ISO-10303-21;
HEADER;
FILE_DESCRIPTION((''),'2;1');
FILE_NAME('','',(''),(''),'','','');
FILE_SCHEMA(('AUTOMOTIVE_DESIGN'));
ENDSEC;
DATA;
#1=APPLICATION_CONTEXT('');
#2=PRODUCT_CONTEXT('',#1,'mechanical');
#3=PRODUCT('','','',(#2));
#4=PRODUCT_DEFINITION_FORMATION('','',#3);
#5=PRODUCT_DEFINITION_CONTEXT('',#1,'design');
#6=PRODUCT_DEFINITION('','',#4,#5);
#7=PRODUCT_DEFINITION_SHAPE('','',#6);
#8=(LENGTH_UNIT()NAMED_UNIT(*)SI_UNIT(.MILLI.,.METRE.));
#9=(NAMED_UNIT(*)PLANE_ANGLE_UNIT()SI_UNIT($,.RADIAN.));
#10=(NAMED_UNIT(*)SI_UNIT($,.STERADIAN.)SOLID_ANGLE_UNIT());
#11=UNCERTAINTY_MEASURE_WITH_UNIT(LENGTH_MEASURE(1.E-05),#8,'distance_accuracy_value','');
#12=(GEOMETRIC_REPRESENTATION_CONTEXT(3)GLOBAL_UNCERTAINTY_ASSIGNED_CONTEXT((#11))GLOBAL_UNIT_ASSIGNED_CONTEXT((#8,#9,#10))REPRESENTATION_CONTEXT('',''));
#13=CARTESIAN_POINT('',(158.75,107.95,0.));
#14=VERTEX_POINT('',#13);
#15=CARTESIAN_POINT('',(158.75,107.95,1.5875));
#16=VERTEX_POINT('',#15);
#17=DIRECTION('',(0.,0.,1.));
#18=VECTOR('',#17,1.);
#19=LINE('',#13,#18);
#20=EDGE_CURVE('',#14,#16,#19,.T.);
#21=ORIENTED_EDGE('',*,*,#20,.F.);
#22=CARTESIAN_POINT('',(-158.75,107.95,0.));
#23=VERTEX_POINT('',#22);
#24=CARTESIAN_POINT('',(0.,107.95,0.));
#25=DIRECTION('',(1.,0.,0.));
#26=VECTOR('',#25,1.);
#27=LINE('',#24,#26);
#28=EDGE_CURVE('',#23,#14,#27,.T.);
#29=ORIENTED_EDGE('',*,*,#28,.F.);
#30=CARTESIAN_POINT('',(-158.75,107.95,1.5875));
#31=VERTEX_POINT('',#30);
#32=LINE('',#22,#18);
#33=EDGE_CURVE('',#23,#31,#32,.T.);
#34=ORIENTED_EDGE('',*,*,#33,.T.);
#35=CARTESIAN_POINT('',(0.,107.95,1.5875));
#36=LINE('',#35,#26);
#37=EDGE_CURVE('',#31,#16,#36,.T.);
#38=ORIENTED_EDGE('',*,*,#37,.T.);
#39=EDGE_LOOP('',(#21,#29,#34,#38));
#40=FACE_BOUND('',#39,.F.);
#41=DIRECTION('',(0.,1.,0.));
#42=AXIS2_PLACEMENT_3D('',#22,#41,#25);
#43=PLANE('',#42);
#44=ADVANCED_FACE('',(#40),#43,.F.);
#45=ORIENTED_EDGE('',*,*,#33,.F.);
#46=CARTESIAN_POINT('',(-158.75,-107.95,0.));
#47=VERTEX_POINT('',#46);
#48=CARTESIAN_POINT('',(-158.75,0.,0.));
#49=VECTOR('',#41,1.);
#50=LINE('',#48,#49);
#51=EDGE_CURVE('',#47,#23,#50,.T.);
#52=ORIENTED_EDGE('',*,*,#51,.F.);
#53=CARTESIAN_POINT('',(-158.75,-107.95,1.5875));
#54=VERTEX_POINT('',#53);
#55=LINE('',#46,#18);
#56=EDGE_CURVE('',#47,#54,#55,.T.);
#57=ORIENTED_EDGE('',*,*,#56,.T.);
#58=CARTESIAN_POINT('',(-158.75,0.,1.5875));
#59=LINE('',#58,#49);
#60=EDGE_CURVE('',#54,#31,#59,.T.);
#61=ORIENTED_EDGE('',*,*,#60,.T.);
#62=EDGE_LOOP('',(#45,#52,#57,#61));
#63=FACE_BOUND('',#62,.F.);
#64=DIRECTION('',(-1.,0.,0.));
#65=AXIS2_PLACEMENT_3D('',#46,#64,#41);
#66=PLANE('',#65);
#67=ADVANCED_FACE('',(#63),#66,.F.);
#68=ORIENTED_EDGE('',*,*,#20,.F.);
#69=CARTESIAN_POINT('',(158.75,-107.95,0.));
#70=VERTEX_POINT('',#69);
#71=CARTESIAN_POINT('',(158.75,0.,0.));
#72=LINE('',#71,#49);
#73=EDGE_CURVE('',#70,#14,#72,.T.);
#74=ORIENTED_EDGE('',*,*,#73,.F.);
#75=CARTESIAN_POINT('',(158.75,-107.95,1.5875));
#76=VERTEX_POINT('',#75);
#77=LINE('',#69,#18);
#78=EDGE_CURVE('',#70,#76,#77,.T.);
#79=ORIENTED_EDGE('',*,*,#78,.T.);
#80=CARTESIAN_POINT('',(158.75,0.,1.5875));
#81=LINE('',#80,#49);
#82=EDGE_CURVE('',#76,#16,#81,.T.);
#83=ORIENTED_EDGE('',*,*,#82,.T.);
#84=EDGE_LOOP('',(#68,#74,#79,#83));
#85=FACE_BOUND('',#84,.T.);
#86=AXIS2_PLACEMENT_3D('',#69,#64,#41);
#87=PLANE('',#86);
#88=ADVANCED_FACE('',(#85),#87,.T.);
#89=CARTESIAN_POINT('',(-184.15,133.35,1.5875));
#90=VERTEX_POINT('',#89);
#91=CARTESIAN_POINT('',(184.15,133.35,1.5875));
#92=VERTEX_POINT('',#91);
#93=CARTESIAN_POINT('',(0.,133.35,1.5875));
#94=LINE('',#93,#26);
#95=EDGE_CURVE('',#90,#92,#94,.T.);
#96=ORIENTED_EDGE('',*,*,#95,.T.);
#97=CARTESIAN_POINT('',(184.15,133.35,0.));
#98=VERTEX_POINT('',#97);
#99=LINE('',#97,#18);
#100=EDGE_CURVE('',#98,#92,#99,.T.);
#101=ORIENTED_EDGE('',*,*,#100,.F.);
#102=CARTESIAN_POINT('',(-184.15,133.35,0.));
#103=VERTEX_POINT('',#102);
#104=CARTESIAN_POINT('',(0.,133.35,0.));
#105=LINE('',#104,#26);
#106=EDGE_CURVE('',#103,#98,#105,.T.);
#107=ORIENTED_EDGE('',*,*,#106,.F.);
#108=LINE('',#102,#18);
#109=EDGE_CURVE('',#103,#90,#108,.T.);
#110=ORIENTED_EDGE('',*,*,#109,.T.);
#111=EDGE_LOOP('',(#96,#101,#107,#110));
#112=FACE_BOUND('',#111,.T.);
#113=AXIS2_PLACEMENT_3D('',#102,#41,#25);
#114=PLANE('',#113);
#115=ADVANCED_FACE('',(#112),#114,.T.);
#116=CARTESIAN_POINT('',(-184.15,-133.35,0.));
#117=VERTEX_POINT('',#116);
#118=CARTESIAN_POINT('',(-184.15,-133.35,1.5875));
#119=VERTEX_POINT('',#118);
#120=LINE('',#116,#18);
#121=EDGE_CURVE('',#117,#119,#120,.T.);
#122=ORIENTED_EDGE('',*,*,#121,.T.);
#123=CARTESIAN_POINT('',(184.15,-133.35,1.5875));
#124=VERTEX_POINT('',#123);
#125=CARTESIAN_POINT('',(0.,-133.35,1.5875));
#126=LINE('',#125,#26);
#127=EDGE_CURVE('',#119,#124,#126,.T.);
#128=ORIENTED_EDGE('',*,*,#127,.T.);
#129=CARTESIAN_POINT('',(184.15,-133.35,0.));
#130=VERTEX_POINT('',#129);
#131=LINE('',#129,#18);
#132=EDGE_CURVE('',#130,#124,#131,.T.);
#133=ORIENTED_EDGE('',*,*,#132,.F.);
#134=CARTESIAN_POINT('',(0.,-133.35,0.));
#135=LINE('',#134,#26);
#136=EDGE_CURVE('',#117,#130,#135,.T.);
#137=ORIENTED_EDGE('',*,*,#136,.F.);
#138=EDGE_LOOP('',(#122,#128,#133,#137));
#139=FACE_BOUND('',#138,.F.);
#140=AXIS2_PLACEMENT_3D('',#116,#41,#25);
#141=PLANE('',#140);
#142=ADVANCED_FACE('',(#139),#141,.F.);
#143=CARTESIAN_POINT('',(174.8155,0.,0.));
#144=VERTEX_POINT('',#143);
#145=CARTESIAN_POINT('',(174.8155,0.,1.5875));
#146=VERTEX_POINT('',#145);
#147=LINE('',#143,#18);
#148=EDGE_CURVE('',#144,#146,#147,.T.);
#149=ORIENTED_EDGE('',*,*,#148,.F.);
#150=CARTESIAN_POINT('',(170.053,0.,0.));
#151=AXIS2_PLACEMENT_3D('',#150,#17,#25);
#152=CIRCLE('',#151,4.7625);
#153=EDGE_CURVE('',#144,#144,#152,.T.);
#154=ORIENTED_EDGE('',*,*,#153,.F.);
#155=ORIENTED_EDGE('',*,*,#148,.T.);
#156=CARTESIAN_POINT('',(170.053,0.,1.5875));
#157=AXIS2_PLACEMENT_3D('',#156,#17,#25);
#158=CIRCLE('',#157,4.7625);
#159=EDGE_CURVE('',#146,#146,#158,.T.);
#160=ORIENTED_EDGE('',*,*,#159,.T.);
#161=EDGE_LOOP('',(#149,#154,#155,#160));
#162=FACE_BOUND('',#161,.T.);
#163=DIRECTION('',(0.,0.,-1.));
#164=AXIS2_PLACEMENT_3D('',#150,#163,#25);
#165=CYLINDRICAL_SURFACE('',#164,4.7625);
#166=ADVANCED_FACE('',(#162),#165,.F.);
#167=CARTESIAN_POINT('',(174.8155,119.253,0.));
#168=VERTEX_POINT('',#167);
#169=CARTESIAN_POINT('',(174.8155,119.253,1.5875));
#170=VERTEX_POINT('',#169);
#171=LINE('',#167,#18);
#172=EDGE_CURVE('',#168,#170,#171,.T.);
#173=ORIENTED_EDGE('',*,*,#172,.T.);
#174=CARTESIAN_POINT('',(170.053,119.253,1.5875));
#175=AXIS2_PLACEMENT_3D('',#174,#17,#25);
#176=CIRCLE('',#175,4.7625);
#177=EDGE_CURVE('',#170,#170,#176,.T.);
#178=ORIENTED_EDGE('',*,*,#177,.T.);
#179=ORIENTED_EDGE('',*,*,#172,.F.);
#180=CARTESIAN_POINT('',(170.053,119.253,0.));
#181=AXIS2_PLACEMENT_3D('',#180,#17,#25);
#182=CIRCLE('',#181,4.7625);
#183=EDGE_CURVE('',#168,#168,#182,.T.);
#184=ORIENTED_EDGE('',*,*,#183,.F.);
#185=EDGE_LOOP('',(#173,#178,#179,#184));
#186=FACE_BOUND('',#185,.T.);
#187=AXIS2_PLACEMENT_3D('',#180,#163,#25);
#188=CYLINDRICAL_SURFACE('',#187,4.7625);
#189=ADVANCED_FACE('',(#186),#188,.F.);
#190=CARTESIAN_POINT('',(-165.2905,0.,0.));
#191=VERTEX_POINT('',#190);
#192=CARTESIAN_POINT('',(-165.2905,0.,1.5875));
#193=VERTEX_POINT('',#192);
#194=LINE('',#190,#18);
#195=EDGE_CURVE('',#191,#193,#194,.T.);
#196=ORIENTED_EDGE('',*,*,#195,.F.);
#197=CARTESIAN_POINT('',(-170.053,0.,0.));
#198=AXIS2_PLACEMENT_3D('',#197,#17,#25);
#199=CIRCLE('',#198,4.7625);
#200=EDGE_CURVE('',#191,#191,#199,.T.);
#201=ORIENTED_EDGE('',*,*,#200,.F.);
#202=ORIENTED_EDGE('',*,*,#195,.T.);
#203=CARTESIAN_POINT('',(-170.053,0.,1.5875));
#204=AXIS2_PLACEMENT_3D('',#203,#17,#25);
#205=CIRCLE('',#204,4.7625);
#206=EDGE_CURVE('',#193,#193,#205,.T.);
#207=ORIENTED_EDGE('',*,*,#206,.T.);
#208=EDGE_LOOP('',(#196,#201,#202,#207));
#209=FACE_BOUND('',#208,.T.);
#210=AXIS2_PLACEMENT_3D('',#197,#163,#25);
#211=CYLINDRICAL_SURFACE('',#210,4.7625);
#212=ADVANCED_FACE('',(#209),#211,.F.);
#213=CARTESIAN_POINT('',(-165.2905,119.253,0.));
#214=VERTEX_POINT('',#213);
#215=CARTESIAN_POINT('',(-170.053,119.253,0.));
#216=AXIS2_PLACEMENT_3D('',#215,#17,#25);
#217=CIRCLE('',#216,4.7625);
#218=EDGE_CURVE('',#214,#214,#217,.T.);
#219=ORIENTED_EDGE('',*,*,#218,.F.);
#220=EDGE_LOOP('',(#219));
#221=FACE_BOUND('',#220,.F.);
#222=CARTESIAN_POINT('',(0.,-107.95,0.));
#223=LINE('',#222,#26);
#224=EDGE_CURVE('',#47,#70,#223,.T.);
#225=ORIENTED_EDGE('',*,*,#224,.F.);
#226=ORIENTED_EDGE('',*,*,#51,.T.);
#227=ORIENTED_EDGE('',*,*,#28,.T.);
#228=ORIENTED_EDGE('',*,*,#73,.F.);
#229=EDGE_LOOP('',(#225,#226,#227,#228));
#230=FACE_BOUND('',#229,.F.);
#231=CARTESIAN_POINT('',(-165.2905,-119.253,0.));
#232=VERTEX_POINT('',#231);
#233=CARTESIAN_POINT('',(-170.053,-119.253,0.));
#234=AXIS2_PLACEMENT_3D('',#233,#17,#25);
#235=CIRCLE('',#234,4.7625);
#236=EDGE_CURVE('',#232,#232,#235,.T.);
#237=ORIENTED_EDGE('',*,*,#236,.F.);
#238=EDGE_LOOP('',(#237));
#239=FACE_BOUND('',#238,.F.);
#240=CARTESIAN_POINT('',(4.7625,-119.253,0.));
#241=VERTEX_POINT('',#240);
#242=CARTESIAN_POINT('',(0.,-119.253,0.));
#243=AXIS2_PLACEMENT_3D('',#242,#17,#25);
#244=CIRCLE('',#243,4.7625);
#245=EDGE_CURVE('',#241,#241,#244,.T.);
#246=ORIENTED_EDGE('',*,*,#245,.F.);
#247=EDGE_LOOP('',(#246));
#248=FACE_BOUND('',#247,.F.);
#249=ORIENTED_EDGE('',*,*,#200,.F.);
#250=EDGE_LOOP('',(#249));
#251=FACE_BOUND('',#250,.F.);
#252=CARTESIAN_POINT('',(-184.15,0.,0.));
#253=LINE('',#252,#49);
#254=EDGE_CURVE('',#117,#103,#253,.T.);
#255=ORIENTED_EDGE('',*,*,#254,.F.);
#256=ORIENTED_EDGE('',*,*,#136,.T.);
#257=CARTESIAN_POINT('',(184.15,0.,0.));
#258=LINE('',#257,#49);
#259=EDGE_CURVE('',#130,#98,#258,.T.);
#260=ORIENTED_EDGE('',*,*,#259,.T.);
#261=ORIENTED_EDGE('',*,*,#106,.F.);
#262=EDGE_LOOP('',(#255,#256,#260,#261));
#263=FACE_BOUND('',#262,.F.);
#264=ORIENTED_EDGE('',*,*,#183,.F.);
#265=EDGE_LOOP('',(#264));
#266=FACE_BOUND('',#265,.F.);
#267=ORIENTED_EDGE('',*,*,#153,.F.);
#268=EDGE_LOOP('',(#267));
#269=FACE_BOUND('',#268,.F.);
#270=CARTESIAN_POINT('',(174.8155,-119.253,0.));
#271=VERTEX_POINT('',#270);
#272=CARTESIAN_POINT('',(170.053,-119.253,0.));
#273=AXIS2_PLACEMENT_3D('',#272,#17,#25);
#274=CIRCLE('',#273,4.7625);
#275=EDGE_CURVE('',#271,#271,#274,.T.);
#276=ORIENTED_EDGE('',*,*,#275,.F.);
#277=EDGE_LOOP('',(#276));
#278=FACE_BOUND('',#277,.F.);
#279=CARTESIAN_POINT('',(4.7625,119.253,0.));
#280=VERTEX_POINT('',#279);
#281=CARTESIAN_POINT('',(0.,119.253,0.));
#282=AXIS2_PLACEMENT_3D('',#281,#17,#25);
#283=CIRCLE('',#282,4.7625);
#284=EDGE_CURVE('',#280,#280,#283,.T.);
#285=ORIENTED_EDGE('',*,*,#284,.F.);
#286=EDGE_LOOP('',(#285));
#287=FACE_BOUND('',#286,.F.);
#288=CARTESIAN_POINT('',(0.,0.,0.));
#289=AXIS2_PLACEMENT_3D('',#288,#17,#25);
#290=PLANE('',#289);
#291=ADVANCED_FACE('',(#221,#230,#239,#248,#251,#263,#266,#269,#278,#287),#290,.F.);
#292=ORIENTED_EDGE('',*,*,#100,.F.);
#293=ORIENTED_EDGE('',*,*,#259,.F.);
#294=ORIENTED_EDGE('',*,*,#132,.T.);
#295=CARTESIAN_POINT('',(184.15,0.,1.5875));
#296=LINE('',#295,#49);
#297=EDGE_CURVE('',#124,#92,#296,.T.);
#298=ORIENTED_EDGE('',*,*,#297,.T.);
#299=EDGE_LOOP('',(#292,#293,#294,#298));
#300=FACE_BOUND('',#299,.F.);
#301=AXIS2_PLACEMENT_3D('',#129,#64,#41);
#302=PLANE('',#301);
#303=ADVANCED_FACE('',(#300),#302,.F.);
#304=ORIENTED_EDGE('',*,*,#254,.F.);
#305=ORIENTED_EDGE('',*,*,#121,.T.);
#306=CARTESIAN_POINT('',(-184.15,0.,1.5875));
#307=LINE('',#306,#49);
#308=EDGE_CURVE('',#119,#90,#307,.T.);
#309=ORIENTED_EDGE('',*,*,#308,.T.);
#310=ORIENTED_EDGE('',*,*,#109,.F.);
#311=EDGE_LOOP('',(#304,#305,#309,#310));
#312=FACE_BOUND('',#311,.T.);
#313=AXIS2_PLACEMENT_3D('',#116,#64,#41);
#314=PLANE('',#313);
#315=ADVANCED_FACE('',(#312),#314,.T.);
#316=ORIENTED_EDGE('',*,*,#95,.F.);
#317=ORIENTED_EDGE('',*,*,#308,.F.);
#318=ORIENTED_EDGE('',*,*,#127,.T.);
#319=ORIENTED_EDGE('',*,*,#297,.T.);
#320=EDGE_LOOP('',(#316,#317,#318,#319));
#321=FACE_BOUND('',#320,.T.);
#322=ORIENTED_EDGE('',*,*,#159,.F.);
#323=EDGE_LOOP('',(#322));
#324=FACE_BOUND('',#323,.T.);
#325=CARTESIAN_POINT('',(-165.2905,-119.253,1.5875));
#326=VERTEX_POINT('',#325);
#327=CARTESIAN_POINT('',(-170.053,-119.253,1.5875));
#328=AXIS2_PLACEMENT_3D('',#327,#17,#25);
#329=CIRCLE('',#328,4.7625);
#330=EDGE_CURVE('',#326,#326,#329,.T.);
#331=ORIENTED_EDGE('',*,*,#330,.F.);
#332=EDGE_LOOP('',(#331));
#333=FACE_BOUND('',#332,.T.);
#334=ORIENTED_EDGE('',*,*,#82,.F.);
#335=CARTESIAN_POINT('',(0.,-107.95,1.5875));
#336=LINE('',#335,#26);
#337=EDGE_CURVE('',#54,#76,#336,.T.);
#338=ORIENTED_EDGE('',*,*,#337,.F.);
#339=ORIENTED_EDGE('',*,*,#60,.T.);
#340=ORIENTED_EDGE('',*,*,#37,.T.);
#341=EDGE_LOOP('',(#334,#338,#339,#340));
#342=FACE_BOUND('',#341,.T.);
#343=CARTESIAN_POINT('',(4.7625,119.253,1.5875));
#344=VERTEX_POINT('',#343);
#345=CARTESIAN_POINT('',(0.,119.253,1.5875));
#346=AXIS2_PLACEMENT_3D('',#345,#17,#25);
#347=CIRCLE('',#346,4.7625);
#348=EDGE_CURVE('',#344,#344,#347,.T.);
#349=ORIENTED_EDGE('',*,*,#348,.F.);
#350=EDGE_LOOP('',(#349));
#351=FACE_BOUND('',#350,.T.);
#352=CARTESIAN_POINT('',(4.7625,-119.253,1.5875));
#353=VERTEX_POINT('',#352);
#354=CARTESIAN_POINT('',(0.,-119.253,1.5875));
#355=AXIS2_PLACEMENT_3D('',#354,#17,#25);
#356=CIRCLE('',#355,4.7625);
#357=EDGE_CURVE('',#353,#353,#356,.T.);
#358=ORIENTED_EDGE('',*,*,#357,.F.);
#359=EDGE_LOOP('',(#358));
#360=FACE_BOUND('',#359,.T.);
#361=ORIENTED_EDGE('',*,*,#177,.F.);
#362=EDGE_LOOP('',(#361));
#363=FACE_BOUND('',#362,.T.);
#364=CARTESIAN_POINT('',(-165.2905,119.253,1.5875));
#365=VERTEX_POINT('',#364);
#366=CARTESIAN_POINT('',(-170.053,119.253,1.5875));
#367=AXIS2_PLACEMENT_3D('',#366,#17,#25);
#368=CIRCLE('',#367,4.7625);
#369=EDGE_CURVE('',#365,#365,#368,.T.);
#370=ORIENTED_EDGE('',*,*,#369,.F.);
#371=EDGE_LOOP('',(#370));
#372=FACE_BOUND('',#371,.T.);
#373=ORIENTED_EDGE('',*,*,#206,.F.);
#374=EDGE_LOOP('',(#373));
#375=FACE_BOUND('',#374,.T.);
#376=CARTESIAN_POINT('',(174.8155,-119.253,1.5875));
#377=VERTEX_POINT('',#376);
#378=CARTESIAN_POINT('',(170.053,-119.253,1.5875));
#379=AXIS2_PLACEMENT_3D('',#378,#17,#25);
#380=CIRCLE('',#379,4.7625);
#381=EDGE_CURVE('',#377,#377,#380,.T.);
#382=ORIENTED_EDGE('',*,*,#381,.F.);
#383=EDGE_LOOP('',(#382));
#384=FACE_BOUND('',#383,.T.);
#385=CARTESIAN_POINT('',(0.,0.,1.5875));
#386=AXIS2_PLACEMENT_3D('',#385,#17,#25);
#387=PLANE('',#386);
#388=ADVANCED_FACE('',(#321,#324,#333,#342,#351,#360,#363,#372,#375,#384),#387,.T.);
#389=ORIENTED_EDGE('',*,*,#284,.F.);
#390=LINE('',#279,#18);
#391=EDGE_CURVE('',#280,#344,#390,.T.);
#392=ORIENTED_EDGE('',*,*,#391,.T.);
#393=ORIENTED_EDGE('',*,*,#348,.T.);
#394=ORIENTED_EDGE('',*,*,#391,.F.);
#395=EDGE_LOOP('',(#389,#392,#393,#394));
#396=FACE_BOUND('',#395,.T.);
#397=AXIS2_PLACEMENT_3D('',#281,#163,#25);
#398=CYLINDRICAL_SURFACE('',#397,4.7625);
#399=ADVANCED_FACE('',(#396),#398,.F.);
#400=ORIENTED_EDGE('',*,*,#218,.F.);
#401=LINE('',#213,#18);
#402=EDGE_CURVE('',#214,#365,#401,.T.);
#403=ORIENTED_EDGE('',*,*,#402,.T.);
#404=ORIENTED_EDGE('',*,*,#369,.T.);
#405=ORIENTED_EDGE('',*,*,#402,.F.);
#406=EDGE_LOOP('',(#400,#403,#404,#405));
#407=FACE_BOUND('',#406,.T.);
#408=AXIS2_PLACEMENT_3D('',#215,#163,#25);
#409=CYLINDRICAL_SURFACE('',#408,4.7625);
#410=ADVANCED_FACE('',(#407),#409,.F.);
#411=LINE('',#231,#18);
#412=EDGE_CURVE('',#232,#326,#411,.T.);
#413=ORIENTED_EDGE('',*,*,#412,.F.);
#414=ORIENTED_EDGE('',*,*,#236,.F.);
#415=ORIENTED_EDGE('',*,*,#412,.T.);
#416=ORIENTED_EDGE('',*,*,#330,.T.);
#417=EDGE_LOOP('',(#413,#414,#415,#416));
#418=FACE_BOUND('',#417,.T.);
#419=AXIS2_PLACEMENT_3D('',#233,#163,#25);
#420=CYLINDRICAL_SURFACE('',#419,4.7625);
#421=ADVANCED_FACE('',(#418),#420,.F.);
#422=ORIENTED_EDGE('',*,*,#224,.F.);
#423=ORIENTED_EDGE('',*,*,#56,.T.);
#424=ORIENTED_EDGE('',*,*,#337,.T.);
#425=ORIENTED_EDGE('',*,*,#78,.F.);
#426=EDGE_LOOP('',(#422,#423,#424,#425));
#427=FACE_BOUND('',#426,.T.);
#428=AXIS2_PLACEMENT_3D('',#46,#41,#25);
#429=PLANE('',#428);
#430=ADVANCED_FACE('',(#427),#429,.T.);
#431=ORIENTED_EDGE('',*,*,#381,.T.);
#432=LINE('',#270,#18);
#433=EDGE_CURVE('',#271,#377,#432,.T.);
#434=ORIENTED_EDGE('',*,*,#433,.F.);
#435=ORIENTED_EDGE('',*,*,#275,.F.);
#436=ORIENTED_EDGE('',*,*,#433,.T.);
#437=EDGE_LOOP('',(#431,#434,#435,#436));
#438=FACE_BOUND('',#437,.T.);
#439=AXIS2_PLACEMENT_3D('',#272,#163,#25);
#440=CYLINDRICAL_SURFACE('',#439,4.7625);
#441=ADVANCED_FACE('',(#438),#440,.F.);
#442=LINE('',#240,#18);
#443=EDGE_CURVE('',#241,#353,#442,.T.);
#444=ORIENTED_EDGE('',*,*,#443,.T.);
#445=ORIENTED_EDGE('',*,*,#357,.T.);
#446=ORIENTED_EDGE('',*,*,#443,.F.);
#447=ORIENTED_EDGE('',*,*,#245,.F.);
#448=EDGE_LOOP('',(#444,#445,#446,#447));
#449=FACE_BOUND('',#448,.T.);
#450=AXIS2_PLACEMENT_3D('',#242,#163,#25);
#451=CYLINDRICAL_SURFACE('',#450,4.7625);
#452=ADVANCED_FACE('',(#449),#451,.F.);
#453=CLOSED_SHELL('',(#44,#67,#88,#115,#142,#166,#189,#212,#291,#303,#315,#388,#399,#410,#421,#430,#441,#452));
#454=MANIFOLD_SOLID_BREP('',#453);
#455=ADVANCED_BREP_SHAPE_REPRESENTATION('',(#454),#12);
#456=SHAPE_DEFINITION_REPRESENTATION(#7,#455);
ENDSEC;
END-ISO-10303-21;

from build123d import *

# Parameters (mm, degrees)
F0_W     = 368.3
F0_H     = 266.7
F0_R     = 4.7625
F0_W_2   = 317.5
F0_H_2   = 215.9
F1_DEPTH = 1.5875


with BuildPart() as f1:
    # F0 (on Top) → F1 (new body)
    with BuildSketch(Plane.XY):
        Rectangle(F0_W, F0_H)
        with Locations((-170.053, -119.253)):
            Circle(F0_R, mode=Mode.SUBTRACT)
        with Locations((0, -119.253)):
            Circle(F0_R, mode=Mode.SUBTRACT)
        with Locations((170.053, -119.253)):
            Circle(F0_R, mode=Mode.SUBTRACT)
        with Locations((-170.053, 0)):
            Circle(F0_R, mode=Mode.SUBTRACT)
        with Locations((-170.053, 119.253)):
            Circle(F0_R, mode=Mode.SUBTRACT)
        Rectangle(F0_W_2, F0_H_2, mode=Mode.SUBTRACT)
        with Locations((170.053, 0)):
            Circle(F0_R, mode=Mode.SUBTRACT)
        with Locations((0, 119.253)):
            Circle(F0_R, mode=Mode.SUBTRACT)
        with Locations((170.053, 119.253)):
            Circle(F0_R, mode=Mode.SUBTRACT)
    extrude(amount=F1_DEPTH)


solid = f1.part
